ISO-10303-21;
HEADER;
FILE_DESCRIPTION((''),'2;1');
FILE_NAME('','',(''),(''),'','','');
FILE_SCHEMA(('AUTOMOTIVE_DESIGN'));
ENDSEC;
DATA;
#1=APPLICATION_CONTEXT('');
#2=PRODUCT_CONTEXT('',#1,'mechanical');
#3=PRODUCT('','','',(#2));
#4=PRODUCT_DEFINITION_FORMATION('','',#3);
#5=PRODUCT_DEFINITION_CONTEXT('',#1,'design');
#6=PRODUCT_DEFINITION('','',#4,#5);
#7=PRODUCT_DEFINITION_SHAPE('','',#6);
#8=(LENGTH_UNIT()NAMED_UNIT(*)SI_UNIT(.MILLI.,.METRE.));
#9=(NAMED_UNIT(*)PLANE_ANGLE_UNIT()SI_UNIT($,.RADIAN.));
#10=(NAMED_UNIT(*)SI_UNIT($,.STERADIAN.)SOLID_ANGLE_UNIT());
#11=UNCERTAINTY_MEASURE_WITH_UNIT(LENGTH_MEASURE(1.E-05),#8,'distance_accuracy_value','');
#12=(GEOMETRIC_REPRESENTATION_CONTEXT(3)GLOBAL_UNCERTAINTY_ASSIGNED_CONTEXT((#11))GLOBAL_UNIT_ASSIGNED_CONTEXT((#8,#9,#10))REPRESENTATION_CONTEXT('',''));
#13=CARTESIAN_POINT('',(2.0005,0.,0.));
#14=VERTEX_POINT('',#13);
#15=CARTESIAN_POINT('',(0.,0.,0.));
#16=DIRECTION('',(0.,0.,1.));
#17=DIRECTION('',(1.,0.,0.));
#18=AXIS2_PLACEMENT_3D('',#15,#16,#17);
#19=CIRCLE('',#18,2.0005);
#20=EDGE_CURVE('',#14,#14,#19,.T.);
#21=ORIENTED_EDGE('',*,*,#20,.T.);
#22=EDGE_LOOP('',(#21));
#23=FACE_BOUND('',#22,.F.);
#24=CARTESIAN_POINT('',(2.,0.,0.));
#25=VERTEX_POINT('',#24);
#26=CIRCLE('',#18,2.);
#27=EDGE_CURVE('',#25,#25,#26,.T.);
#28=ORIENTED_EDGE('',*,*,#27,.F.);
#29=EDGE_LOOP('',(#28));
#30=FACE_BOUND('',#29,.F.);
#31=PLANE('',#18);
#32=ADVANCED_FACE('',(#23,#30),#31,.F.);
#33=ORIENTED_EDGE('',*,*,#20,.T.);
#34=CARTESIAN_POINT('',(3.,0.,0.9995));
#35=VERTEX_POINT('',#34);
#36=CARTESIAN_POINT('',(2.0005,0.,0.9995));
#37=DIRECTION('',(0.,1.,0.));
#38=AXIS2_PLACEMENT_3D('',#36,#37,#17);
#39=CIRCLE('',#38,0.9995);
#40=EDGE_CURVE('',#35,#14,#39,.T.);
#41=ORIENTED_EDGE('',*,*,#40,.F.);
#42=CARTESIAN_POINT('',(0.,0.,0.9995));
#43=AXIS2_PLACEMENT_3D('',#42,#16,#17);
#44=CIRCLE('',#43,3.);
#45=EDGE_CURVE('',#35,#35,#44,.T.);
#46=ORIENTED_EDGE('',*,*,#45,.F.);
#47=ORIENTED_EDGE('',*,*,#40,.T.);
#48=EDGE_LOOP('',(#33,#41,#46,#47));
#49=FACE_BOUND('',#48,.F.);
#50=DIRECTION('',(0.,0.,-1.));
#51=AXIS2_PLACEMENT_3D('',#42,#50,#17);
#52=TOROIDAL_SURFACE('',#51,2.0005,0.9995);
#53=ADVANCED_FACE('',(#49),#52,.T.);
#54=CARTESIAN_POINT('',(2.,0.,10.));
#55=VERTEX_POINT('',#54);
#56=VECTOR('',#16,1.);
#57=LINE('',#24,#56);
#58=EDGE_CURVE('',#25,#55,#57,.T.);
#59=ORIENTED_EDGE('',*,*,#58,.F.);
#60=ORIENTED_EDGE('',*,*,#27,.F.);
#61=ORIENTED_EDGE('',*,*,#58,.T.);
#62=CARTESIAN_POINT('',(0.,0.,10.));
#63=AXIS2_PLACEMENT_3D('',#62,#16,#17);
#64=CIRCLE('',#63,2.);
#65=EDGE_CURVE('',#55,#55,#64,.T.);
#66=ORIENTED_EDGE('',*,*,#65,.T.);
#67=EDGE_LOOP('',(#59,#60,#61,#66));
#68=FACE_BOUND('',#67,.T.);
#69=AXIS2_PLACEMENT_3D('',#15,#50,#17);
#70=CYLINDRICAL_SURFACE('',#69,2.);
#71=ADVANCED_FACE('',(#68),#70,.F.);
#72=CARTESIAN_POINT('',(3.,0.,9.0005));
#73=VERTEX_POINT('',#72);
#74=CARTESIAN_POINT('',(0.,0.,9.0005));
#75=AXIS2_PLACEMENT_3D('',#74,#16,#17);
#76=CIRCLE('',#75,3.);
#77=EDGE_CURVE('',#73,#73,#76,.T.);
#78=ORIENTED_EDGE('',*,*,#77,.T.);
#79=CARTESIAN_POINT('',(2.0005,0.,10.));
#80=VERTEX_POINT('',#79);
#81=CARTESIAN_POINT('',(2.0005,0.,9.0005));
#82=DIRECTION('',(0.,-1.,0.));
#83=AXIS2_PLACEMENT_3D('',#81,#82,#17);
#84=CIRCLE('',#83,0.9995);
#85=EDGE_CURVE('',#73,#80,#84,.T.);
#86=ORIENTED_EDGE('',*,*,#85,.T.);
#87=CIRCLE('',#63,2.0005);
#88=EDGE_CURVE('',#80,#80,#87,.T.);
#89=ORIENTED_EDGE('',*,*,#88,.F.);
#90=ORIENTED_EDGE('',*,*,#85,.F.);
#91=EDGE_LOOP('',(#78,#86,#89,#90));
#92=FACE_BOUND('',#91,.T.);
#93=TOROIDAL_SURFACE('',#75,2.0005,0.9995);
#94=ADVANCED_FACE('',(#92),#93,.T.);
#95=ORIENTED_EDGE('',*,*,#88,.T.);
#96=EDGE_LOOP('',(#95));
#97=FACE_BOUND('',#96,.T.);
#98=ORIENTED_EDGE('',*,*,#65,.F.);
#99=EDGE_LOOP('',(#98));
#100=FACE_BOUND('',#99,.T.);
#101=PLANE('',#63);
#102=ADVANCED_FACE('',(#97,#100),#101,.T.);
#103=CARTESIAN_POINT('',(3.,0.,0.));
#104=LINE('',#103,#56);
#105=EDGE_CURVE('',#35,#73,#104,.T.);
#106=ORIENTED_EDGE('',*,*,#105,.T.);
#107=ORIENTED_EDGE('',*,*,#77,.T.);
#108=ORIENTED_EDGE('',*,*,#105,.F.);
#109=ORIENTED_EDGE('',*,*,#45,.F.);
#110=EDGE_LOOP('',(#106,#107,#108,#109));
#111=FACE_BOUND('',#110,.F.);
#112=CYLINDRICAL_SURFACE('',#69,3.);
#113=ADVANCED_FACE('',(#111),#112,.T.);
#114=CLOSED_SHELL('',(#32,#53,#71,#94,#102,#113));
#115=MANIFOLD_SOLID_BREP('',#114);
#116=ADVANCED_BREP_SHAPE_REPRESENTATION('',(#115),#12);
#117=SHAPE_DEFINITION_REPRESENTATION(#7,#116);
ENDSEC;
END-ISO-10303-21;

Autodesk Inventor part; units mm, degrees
ref_plane "YZ Plane" through (0, 0, 0) normal (1, 0, 0) x (0, 1, 0)
ref_plane "XZ Plane" through (0, 0, 0) normal (0, 1, 0) x (-1, 0, 0)
ref_plane "XY Plane" through (0, 0, 0) normal (0, 0, 1) x (1, 0, 0)
sketch "Sketch1" plane through (0, 0, 0) normal (0, 0, 1) x (1, 0, 0)
  circle A0 centre (0, 0) radius 2
  circle A1 centre (0, 0) radius 3
  dimension "d0" = 4
  dimension "d1" = 6
extrude "Extrusion1" add sketch "Sketch1" along normal blind 10
fillet "Fillet1" radius 1 2 edges at (-3, 0, 10) (-3, 0, 0)
properties part number "ShortHose"
